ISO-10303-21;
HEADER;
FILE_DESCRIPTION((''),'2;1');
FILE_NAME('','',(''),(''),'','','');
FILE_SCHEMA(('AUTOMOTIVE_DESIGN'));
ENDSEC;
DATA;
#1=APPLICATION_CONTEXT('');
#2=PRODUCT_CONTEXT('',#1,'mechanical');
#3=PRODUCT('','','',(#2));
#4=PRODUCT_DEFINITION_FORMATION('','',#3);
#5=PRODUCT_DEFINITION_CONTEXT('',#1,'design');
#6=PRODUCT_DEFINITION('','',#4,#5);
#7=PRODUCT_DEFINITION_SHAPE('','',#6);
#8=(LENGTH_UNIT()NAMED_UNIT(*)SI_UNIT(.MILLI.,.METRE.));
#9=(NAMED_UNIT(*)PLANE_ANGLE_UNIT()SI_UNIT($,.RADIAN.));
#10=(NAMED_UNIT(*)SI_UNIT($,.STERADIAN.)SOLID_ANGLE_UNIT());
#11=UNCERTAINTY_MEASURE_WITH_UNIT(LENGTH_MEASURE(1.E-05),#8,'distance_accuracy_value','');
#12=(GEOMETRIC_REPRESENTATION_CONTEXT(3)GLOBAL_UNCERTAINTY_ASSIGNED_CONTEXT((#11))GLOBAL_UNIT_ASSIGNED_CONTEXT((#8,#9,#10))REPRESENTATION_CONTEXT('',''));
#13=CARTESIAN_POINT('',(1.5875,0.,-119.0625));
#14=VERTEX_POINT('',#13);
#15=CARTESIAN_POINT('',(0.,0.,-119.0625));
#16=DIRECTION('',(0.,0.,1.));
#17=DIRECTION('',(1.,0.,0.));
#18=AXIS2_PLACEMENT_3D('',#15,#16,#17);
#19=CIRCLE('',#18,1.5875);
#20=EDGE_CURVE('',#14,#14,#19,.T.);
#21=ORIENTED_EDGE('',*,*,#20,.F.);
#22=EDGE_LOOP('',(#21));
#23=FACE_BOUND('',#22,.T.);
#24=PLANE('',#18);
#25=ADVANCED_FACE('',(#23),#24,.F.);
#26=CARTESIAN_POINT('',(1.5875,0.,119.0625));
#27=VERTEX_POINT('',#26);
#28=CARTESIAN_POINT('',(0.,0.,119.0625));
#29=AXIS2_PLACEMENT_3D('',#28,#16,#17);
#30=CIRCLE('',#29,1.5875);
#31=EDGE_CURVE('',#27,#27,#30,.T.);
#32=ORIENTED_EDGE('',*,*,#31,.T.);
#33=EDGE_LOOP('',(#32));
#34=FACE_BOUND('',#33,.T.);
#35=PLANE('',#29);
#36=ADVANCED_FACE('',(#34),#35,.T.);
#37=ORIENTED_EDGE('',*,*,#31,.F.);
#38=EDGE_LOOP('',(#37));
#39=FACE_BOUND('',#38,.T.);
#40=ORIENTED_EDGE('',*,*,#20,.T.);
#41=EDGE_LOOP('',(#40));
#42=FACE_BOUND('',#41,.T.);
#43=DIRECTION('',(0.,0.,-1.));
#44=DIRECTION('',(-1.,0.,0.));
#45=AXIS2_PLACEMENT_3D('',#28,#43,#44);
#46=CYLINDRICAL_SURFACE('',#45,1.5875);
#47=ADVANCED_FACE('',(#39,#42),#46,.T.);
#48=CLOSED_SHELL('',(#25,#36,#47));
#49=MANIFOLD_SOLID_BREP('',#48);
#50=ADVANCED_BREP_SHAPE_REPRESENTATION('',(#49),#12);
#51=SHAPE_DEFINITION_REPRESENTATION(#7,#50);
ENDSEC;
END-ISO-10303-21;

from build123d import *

# Parameters (mm, degrees)
SKETCH1_R           = 1.5875
BOSS_EXTRUDE1_DEPTH = 119.0625


with BuildPart() as part:
    # Sketch1 → Boss-Extrude1 (new, symmetric)
    with BuildSketch(Plane.XY):
        Circle(SKETCH1_R)
    extrude(amount=BOSS_EXTRUDE1_DEPTH, both=True)


solid = part.part
